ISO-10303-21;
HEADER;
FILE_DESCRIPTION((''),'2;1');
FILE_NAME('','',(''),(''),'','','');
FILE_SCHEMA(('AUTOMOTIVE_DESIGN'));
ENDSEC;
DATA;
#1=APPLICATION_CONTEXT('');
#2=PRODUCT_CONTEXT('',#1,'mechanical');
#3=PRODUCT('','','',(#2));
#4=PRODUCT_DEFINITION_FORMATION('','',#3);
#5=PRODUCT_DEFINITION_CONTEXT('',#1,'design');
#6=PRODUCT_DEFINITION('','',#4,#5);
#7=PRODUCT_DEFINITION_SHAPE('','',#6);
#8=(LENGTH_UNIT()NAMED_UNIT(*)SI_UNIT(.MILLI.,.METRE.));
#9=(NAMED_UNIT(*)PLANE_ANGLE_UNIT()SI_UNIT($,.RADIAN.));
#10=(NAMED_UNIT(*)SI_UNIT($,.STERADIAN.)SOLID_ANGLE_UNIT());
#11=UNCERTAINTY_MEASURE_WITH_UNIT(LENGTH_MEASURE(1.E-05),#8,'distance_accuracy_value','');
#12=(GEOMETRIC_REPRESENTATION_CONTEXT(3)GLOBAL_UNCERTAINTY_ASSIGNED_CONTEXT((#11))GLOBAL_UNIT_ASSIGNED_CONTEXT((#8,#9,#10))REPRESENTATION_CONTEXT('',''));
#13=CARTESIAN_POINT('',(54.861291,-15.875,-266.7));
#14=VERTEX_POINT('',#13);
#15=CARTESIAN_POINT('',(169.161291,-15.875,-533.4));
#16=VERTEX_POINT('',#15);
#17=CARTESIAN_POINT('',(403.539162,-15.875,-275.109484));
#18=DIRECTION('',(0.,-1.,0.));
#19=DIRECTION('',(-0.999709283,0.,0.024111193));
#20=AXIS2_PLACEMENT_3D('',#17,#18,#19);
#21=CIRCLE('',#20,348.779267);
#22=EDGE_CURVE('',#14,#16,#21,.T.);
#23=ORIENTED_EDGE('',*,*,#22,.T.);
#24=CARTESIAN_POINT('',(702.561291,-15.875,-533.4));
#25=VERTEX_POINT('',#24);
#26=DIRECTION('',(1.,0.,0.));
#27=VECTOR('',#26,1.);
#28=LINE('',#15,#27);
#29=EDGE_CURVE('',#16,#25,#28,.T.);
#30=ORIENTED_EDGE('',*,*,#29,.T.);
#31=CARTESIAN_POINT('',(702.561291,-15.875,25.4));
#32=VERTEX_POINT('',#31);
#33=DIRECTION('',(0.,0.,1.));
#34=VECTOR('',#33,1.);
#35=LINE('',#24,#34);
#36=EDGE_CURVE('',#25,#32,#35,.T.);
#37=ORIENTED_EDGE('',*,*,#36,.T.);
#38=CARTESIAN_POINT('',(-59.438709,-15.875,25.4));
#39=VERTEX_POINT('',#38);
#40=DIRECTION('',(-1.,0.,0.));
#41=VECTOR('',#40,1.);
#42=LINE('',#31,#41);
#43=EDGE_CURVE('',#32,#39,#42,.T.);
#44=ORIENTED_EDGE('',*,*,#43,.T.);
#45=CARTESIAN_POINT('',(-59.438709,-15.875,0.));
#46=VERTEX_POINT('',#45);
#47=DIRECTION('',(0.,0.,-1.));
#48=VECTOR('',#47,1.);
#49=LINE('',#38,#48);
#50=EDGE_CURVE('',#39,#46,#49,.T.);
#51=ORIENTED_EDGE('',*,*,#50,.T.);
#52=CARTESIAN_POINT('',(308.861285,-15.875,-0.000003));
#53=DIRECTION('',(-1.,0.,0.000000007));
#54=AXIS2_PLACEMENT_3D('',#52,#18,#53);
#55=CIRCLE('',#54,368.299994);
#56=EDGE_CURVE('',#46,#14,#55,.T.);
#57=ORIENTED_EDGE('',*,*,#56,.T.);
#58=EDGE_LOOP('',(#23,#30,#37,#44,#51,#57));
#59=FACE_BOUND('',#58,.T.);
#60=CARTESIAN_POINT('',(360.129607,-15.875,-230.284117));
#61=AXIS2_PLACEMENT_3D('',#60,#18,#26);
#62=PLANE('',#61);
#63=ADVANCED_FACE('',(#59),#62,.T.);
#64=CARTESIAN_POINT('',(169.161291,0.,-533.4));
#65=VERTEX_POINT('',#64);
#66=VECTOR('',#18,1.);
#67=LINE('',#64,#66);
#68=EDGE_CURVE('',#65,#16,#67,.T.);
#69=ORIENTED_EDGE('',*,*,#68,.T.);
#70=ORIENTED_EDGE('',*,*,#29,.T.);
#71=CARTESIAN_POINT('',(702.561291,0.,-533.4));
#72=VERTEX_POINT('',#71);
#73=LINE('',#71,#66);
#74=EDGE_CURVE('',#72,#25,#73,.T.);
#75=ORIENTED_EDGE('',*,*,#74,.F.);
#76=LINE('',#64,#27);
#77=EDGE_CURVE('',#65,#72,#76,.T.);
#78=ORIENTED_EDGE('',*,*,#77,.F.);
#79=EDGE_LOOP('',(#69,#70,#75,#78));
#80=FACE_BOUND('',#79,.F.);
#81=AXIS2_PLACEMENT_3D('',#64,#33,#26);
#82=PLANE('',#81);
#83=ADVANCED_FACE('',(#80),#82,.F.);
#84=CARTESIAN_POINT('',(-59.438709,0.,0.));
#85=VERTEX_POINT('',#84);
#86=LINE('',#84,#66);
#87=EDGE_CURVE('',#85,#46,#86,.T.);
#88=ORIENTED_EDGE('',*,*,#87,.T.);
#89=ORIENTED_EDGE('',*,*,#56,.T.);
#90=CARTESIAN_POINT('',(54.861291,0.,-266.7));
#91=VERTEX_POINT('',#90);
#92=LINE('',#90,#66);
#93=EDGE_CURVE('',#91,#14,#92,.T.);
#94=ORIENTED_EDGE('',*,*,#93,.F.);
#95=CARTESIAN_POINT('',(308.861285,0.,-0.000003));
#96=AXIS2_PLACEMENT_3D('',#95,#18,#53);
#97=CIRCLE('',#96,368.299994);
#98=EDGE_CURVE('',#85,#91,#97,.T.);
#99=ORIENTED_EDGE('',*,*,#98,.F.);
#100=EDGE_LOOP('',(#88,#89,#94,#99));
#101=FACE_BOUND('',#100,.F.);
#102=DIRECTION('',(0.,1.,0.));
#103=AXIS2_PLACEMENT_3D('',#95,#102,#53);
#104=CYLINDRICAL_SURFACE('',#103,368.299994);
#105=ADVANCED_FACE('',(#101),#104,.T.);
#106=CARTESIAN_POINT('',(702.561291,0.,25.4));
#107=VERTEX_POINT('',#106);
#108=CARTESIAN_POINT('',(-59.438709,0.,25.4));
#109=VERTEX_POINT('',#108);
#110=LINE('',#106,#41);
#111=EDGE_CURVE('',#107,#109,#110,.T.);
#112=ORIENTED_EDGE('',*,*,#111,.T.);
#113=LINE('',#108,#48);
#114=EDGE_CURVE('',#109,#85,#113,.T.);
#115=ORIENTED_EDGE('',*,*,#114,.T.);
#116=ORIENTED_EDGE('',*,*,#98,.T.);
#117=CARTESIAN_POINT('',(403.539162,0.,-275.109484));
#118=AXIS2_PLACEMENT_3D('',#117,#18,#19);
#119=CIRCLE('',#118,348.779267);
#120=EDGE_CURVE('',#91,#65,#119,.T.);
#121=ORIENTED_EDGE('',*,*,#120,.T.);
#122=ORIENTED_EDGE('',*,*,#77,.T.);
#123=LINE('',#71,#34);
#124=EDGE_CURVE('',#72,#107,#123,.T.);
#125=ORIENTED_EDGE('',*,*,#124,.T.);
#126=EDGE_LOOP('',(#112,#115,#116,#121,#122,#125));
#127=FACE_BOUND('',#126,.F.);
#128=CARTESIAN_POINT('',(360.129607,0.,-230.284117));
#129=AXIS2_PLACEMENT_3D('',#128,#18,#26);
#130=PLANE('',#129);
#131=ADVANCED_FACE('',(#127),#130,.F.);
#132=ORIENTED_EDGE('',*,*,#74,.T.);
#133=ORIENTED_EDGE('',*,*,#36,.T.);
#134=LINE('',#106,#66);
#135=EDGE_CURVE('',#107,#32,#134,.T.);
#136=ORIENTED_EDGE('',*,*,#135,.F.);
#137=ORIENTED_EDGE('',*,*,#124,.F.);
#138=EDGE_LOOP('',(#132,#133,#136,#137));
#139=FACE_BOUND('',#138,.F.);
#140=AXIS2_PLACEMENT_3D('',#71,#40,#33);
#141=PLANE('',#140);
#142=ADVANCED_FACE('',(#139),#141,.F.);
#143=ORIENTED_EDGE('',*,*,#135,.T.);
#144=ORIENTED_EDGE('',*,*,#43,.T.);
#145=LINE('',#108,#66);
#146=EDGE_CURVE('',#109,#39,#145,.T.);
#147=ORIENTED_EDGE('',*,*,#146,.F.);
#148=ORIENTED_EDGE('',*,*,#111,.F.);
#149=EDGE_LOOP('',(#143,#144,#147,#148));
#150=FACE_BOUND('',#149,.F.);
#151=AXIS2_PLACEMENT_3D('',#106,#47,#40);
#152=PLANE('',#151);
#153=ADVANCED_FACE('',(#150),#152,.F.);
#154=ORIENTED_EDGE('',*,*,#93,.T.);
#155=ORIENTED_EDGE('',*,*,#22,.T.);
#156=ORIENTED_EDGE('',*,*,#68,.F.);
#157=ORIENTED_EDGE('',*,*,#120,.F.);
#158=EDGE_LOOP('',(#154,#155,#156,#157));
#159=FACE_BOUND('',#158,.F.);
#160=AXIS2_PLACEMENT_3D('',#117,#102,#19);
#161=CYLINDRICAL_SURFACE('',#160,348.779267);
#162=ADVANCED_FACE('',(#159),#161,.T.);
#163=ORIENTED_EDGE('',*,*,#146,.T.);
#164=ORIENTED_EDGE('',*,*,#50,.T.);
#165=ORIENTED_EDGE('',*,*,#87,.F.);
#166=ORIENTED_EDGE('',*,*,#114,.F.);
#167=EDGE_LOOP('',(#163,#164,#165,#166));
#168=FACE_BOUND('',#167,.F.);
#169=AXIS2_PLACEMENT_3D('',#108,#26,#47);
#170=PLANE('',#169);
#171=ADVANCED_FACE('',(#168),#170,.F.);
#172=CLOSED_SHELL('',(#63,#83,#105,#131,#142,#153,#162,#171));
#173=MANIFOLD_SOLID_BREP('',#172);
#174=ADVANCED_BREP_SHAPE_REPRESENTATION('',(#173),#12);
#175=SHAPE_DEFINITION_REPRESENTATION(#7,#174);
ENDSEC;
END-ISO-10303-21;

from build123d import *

# Parameters (mm, degrees)
F1_DEPTH = 15.875


with BuildPart() as f1:
    # F0 (on Front) → F1 (new body)
    with BuildSketch(Plane.XZ):
        with BuildLine():
            Line((702.561291, 25.4), (-59.438709, 25.4))
            Line((-59.438709, 25.4), (-59.438709, 0))
            ThreePointArc((-59.438709, 0), (-29.659824, -145.080478), (54.861291, -266.7))
            ThreePointArc((54.861291, -266.7), (82.960432, -412.500368), (169.161291, -533.4))
            Line((169.161291, -533.4), (702.561291, -533.4))
            Line((702.561291, -533.4), (702.561291, 25.4))
        make_face()
    extrude(amount=F1_DEPTH)


solid = f1.part
